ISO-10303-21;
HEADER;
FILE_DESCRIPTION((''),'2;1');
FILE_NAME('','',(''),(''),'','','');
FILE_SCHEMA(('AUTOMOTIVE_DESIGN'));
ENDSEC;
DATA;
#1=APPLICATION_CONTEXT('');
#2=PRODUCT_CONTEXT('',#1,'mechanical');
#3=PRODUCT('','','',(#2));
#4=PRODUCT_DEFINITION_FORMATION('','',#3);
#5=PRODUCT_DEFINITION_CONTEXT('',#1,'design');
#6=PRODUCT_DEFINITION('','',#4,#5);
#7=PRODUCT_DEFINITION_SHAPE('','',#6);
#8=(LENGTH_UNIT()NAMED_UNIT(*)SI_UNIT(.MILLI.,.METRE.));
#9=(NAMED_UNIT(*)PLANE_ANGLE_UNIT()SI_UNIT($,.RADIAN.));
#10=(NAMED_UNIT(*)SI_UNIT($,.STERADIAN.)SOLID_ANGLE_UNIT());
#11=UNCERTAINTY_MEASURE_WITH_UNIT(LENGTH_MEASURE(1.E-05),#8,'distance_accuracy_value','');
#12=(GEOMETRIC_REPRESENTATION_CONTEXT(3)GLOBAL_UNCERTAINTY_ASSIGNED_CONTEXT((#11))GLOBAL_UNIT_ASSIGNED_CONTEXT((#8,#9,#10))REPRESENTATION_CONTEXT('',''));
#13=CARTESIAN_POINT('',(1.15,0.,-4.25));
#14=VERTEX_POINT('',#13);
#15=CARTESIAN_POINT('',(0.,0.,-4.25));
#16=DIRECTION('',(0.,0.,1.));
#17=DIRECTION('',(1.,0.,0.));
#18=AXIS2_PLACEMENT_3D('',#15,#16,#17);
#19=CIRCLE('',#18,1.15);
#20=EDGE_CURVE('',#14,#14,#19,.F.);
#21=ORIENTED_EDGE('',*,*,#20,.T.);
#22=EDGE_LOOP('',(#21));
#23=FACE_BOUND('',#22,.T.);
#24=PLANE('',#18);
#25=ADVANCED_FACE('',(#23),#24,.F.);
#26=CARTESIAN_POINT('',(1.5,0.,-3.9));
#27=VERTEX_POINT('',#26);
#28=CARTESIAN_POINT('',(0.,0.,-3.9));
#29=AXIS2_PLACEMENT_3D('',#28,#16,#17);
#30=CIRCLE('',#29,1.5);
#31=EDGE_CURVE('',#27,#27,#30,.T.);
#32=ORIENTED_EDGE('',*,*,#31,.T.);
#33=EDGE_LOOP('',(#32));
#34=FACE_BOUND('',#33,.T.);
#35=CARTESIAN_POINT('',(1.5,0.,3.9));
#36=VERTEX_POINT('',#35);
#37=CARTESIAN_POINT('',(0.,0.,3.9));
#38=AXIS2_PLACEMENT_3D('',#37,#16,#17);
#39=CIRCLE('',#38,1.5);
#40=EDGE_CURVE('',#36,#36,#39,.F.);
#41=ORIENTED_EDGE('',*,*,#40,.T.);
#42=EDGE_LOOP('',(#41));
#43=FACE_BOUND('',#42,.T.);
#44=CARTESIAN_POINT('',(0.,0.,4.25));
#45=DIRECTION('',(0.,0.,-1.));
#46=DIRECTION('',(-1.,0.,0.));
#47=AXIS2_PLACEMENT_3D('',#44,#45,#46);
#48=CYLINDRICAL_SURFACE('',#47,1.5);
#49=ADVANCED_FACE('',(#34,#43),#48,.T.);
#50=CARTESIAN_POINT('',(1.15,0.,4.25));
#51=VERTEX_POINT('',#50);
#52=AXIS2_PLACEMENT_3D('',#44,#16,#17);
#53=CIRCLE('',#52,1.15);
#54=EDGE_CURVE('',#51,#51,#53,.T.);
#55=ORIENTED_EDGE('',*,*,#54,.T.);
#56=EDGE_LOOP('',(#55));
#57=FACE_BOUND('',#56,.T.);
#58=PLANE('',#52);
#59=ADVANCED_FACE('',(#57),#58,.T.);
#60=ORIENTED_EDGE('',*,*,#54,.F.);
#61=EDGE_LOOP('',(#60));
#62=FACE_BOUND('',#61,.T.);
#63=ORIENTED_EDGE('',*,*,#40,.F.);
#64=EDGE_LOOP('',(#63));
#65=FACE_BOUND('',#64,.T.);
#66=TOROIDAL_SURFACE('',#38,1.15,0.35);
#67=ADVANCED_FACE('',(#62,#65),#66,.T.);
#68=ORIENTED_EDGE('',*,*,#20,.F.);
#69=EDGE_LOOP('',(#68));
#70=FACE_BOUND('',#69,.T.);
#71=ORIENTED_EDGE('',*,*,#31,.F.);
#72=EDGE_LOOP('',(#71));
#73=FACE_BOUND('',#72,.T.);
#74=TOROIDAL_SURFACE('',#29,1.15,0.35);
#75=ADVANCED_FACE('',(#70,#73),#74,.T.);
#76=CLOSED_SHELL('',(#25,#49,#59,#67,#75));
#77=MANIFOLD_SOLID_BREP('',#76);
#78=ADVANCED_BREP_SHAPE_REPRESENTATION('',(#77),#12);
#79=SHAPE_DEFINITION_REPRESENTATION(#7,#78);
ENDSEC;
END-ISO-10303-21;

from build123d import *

# Parameters (mm, degrees)
SKETCH1_R           = 1.5
BOSS_EXTRUDE1_DEPTH = 4.25
FILLET1_R           = 0.35


with BuildPart() as part:
    # Sketch1 → Boss-Extrude1 (new body, symmetric)
    with BuildSketch(Plane.XY):
        Circle(SKETCH1_R)
    extrude(amount=BOSS_EXTRUDE1_DEPTH, both=True)

    # Fillet1
    fillet1_edges = [part.edges().sort_by_distance(p)[0] for p in [
        (-1.5, 0, -4.25),
        (-1.5, 0, 4.25),
    ]]
    fillet(fillet1_edges, radius=FILLET1_R)


solid = part.part
